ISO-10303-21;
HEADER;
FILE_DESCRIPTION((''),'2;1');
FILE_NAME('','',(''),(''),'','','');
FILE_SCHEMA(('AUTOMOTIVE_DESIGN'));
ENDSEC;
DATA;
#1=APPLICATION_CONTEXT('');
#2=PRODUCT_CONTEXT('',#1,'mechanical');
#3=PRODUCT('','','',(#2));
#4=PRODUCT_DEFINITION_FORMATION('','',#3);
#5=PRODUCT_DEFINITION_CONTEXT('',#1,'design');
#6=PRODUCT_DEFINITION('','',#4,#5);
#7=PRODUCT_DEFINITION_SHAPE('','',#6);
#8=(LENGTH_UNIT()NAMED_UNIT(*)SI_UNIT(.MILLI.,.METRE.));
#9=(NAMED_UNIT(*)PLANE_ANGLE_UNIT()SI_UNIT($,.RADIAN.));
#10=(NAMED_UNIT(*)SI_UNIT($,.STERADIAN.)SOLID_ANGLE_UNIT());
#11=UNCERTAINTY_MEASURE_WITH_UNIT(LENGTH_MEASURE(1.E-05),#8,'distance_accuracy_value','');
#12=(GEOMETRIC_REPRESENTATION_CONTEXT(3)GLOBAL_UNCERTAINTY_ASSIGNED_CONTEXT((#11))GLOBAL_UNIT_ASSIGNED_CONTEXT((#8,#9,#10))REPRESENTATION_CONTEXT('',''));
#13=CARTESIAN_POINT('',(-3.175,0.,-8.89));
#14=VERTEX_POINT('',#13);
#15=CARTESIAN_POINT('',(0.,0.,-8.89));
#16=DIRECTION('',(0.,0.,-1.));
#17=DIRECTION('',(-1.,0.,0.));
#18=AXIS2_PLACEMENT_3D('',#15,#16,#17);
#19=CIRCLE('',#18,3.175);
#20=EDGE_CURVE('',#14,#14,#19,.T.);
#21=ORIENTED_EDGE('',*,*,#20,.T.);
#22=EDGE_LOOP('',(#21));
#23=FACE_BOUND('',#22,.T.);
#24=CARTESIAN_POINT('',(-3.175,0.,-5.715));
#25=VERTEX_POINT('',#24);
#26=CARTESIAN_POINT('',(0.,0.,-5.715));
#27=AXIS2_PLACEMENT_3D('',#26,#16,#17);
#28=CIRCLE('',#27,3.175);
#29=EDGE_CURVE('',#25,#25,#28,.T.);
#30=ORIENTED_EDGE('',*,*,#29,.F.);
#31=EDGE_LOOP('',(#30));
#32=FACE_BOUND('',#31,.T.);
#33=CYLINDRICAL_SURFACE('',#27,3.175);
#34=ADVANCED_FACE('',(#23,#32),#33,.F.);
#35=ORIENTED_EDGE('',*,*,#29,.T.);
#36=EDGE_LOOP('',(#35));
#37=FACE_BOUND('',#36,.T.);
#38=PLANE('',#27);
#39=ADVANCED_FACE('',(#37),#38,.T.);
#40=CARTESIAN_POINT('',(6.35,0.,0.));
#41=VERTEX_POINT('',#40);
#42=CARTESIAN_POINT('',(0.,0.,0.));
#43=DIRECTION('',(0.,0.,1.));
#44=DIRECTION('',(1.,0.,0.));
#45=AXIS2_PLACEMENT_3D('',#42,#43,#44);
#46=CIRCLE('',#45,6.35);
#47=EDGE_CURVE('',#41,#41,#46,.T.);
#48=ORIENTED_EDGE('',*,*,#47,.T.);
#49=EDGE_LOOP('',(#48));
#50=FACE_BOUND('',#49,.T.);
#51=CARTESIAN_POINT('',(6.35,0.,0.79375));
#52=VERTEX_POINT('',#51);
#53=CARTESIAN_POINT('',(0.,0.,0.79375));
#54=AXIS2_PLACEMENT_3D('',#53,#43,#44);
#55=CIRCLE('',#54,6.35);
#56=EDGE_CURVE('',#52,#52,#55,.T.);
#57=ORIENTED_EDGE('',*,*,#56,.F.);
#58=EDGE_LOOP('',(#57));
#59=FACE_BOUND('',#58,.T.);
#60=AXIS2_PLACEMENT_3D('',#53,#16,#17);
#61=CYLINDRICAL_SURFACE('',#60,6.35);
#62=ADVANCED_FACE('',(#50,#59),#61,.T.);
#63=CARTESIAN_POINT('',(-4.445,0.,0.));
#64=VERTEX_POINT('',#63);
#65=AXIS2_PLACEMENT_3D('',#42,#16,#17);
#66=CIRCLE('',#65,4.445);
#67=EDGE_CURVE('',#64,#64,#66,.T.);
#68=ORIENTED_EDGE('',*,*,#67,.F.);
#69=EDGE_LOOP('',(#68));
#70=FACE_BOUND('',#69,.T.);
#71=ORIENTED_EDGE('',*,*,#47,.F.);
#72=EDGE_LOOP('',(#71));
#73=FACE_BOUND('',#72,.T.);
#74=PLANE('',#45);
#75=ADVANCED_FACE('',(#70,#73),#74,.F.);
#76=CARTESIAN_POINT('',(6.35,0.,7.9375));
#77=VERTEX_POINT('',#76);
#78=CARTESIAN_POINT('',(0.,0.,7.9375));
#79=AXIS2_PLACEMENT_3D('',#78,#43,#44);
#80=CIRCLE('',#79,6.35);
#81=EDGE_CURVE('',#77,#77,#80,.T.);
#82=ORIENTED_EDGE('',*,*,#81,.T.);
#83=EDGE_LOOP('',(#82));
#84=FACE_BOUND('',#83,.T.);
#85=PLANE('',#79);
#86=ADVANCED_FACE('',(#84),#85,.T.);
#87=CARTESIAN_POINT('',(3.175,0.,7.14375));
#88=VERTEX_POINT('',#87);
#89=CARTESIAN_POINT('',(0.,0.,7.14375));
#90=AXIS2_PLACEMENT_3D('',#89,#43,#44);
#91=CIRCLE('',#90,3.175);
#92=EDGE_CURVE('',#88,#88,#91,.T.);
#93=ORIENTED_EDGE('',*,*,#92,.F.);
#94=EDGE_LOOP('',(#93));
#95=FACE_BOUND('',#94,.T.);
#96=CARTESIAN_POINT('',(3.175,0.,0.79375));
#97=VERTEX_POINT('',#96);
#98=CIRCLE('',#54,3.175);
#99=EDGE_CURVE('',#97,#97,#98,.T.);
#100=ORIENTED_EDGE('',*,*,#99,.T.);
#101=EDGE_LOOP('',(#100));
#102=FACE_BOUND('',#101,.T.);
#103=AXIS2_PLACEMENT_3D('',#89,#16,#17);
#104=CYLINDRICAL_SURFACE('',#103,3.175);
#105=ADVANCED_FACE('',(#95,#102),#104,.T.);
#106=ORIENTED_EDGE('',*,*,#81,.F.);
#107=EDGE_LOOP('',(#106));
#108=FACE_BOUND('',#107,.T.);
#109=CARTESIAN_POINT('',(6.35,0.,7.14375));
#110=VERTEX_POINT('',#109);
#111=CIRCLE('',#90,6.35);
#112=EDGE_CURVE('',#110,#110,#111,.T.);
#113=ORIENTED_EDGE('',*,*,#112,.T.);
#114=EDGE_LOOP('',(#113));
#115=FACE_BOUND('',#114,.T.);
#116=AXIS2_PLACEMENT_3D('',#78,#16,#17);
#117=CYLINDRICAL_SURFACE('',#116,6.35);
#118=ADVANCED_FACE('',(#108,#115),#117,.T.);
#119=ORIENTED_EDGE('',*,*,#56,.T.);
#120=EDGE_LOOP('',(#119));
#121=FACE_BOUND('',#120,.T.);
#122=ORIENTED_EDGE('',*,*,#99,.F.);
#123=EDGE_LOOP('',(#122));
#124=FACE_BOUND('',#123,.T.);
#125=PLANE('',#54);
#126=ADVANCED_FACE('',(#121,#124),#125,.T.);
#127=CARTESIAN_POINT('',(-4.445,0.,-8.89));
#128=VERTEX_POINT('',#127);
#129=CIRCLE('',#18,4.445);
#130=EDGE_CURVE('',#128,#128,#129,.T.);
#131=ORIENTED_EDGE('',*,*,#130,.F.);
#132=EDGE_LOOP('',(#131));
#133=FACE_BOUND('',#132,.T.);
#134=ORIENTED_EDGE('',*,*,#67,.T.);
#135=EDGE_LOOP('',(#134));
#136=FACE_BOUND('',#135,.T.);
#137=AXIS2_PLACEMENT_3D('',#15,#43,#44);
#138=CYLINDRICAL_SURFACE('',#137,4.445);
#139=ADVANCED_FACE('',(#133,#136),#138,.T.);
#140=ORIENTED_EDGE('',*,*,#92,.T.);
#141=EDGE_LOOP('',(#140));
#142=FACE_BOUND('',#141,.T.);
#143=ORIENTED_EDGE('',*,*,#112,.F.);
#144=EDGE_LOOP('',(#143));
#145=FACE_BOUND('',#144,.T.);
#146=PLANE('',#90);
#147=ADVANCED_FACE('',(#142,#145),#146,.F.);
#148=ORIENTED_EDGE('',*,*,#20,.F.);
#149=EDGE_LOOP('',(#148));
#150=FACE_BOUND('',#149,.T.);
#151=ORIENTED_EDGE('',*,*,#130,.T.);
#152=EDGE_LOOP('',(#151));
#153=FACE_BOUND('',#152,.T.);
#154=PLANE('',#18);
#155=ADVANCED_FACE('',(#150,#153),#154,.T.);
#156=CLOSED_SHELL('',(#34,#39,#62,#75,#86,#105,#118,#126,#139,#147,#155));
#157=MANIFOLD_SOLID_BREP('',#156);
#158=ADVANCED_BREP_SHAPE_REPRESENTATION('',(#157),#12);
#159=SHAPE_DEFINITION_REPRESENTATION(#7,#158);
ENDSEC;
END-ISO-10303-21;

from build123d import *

# Parameters (mm, degrees)
SKETCH1_R           = 6.35
BOSS_EXTRUDE1_DEPTH = 0.79375
SKETCH2_R           = 3.175
BOSS_EXTRUDE2_DEPTH = 6.35
SKETCH3_R           = 6.35
BOSS_EXTRUDE3_DEPTH = 0.79375
SKETCH4_R           = 4.445
BOSS_EXTRUDE4_DEPTH = 8.89
SKETCH5_R           = 3.175
CUT_EXTRUDE1_DEPTH  = 3.175


with BuildPart() as part:
    # Sketch1 → Boss-Extrude1 (new body)
    with BuildSketch(Plane.XY):
        Circle(SKETCH1_R)
    extrude(amount=BOSS_EXTRUDE1_DEPTH)

    # Sketch2 → Boss-Extrude2 (add)
    with BuildSketch(Plane.XY.offset(0.79375)):
        Circle(SKETCH2_R)
    extrude(amount=BOSS_EXTRUDE2_DEPTH)

    # Sketch3 → Boss-Extrude3 (add)
    with BuildSketch(Plane.XY.offset(7.14375)):
        Circle(SKETCH3_R)
    extrude(amount=BOSS_EXTRUDE3_DEPTH)

    # Sketch4 → Boss-Extrude4 (add)
    with BuildSketch(Plane(origin=(0, 0, 0), x_dir=(-1, 0, 0), z_dir=(0, 0, -1))):
        Circle(SKETCH4_R)
    extrude(amount=BOSS_EXTRUDE4_DEPTH)

    # Sketch5 → Cut-Extrude1 (cut)
    with BuildSketch(Plane(origin=(0, 0, -8.89), x_dir=(-1, 0, 0), z_dir=(0, 0, -1))):
        with Locations(Location((0, 0, 0), (0, 0, 180))):
            Circle(SKETCH5_R)
    extrude(amount=-CUT_EXTRUDE1_DEPTH, mode=Mode.SUBTRACT)


solid = part.part
